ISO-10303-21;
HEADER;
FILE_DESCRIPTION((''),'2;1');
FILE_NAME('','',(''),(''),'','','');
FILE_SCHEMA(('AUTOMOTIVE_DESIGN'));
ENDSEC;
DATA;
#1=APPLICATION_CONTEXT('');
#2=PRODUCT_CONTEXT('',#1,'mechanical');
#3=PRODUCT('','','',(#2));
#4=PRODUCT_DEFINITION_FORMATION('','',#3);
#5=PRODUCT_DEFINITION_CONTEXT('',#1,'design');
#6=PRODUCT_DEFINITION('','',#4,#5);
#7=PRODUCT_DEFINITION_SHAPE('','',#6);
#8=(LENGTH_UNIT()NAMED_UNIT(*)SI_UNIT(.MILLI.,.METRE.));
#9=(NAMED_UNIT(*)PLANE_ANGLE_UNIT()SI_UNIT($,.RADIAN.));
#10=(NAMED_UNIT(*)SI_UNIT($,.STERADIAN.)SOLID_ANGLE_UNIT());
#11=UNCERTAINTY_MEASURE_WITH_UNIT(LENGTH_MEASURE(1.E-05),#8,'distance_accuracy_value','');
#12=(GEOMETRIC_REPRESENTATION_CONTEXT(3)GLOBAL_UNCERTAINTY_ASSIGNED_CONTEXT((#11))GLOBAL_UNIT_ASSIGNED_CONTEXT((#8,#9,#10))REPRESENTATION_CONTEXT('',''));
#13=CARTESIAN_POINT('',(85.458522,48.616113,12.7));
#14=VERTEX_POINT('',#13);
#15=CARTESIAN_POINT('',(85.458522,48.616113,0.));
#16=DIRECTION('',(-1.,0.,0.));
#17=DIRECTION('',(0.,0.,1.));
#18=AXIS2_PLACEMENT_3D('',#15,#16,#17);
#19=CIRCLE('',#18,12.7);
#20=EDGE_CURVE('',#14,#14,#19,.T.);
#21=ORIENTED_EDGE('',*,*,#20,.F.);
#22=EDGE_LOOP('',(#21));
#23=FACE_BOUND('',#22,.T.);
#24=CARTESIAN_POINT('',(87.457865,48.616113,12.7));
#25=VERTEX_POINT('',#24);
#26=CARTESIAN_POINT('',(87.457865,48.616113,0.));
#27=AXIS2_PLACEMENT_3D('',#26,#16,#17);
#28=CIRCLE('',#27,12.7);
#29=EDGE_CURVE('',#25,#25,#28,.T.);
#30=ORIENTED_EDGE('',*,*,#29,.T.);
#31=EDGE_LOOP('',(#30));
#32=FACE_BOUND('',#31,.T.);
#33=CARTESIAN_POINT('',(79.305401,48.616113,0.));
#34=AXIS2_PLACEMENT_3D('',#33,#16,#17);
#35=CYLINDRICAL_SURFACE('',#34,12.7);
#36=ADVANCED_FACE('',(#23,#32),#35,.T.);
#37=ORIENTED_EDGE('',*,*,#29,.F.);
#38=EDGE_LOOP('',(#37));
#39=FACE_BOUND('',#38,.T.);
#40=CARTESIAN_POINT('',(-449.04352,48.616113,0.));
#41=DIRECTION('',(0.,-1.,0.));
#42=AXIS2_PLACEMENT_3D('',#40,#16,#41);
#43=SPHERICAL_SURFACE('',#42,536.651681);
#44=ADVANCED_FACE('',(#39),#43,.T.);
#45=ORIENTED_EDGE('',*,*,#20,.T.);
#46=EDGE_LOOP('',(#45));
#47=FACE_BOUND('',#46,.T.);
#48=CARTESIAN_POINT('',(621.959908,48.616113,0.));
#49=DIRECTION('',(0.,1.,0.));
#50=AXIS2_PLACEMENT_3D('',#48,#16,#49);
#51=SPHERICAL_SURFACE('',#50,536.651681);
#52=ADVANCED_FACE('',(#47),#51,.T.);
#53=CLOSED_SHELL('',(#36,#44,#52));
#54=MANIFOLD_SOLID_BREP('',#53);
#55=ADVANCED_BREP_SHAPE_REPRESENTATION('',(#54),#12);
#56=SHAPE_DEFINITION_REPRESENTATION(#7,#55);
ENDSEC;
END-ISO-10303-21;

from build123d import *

# Parameters (mm, degrees)
SKETCH_1_ONE_SIDE_W = 1.999342857
SKETCH_1_ONE_SIDE_H = 12.7


with BuildPart() as part:
    # 草图1 one side → 旋转1 (revolve)
    with BuildSketch(Plane.XY, mode=Mode.PRIVATE) as revolve_1_sk:
        with Locations((86.458193775, 54.966113023)):
            Rectangle(SKETCH_1_ONE_SIDE_W, SKETCH_1_ONE_SIDE_H)
        with BuildLine():
            Line((85.308226918, 48.616113023), (85.458522346, 48.616113023))
            Line((85.458522346, 48.616113023), (85.458522346, 61.316113023))
            ThreePointArc((85.458522346, 61.316113023), (85.34580209, 54.966557667), (85.308226918, 48.616113023))
        make_face()
        with BuildLine():
            Line((87.457865203, 48.616113023), (87.608160632, 48.616113023))
            ThreePointArc((87.608160632, 48.616113023), (87.570585459, 54.966557667), (87.457865203, 61.316113023))
            Line((87.457865203, 61.316113023), (87.457865203, 48.616113023))
        make_face()
    revolve(revolve_1_sk.sketch.rotate(Axis((79.305401351, 48.616113023, 0), (1, 0, 0)), 90), axis=Axis((79.305401351, 48.616113023, 0), (1, 0, 0)))  # turned: the seam where the file's is


solid = part.part
